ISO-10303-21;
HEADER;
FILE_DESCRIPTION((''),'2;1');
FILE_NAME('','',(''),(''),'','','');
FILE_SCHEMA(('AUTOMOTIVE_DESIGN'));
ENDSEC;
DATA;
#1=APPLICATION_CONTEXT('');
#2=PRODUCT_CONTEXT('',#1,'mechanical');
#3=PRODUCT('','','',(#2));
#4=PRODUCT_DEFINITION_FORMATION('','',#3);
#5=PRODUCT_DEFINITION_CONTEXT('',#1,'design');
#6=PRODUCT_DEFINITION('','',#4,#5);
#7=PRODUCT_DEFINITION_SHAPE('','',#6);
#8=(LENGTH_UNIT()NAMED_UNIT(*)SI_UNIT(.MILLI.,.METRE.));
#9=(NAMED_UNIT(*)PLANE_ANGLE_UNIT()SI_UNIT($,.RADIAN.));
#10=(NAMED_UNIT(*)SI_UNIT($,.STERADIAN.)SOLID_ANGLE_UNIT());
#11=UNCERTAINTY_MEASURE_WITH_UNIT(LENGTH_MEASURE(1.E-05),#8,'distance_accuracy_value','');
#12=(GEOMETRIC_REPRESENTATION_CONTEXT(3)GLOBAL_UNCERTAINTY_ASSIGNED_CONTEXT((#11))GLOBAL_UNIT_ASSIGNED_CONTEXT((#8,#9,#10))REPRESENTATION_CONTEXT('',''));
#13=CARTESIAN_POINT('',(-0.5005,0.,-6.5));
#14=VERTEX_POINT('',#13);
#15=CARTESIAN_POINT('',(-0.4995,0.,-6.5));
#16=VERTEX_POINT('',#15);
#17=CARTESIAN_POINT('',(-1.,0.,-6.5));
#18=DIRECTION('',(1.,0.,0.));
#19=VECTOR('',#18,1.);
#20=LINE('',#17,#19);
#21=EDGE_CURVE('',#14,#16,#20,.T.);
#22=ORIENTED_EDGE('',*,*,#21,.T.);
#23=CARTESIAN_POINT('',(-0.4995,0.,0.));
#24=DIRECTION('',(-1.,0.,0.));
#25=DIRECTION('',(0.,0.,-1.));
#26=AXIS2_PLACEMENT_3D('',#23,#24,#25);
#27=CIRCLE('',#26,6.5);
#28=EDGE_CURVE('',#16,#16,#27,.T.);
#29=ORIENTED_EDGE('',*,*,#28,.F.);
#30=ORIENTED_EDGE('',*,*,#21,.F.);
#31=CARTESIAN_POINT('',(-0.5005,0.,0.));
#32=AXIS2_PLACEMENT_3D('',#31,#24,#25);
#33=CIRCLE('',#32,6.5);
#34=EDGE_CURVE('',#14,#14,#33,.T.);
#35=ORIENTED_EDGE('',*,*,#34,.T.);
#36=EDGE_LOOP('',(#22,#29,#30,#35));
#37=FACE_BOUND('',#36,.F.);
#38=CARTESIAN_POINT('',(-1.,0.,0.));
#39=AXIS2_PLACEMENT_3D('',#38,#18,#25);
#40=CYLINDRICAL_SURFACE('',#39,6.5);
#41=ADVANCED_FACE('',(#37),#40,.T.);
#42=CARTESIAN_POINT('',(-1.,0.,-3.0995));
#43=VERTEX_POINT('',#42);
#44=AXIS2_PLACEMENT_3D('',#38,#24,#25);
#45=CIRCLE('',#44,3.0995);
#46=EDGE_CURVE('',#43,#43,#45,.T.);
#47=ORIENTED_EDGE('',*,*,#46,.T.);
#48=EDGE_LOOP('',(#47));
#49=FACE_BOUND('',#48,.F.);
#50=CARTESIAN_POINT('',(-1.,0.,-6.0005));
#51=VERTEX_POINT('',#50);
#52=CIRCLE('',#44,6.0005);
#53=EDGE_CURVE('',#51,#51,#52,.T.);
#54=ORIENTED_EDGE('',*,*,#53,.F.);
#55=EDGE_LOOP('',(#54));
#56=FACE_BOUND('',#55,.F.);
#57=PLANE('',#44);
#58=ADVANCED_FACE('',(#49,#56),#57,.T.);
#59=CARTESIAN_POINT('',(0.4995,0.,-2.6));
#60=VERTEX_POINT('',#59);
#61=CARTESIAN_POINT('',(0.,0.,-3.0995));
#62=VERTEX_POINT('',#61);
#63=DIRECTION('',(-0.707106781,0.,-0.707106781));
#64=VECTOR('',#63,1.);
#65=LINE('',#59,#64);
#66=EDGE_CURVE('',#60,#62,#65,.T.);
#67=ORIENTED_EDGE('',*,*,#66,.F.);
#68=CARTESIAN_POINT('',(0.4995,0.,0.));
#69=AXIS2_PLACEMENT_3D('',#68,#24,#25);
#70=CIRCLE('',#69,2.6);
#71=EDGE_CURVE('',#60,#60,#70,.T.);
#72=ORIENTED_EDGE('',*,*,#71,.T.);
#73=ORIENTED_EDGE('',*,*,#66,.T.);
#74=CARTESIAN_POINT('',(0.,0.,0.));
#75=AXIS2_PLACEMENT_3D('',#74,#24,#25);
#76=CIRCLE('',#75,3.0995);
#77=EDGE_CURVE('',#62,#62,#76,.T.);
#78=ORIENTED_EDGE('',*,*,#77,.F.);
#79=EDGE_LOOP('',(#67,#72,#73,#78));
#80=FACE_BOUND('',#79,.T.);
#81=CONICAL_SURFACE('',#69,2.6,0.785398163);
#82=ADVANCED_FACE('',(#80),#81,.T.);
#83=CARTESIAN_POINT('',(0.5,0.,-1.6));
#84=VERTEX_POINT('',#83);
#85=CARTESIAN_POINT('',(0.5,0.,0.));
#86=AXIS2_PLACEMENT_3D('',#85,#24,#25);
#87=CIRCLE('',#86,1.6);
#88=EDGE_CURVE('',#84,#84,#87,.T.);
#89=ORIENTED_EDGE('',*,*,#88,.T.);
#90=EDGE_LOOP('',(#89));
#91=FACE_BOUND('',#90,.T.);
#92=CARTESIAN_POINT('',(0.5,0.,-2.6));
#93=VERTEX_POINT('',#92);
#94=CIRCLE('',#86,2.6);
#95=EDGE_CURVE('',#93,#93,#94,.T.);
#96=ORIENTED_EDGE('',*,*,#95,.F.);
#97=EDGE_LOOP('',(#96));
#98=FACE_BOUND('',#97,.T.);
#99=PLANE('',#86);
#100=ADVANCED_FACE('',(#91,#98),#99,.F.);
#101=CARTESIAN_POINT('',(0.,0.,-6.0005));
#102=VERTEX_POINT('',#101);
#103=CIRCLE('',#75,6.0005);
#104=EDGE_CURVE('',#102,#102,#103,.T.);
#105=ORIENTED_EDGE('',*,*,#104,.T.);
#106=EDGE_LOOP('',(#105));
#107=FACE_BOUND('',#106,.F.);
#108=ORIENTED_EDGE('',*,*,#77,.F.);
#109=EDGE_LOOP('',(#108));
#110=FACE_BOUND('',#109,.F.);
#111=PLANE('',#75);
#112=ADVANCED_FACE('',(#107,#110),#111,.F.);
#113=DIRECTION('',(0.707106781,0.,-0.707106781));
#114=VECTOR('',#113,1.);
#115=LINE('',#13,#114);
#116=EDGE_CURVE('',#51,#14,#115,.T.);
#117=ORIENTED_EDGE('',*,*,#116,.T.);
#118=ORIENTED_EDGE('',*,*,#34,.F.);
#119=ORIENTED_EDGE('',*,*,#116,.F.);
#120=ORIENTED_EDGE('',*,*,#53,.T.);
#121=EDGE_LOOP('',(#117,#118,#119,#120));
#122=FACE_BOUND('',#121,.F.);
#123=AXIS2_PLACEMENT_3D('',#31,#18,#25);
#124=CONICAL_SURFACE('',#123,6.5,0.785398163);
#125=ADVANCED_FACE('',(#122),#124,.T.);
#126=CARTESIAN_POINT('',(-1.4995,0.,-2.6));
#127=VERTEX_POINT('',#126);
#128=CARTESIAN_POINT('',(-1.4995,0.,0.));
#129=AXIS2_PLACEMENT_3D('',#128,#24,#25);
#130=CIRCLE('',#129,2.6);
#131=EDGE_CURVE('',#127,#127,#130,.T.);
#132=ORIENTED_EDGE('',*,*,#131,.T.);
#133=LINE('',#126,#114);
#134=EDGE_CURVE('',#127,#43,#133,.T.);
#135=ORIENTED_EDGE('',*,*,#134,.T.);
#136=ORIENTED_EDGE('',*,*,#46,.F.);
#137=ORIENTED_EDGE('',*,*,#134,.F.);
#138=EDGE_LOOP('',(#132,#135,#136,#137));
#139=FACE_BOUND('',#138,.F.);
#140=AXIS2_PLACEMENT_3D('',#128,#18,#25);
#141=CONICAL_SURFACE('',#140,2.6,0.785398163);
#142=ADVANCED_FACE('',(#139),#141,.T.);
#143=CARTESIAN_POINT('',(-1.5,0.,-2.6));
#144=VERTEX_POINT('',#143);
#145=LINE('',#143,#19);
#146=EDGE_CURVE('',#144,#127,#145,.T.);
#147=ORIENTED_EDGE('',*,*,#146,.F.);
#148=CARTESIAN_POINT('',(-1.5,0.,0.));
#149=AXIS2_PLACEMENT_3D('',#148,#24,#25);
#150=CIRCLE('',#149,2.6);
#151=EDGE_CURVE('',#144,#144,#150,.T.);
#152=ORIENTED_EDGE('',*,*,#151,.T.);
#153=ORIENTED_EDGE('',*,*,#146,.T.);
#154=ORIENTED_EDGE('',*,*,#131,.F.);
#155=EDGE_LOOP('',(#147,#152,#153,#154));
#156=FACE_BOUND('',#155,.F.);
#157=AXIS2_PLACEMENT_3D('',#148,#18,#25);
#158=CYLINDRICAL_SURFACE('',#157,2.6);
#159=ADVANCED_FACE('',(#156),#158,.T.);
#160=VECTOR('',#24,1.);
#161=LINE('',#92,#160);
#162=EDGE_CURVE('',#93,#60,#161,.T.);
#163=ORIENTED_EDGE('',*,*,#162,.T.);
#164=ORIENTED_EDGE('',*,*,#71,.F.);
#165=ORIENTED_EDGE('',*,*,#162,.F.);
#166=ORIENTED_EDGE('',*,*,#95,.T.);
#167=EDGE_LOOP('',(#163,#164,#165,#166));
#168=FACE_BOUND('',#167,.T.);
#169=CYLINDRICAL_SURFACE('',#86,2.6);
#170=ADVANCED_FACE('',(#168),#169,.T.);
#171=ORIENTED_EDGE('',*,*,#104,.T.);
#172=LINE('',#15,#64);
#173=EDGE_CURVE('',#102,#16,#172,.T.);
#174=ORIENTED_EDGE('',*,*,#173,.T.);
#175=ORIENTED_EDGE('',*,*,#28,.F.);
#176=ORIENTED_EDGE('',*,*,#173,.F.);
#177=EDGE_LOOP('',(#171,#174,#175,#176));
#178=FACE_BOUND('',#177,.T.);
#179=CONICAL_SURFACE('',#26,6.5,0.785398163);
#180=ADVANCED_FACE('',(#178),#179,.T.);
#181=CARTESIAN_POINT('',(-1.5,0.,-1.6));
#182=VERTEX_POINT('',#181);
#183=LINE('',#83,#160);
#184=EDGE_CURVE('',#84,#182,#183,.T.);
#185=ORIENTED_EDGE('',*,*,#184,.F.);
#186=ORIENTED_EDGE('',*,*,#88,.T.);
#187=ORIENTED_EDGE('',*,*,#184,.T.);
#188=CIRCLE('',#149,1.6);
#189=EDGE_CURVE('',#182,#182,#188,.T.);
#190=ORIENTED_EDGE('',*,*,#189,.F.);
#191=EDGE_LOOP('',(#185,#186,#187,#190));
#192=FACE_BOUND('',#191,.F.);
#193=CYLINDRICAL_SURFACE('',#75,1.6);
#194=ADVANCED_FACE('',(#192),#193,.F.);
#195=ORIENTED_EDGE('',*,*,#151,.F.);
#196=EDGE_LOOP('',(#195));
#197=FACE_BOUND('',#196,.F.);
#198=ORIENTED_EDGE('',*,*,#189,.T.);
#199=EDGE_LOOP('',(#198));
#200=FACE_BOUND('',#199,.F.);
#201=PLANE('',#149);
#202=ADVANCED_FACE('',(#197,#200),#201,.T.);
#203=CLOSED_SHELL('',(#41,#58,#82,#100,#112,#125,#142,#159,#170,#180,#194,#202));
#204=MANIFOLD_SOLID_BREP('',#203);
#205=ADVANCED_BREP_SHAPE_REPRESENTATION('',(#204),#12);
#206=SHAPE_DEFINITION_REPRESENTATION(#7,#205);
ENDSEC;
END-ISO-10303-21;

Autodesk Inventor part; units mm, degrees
ref_plane "YZ Plane" through (0, 0, 0) normal (1, 0, 0) x (0, 1, 0)
ref_plane "XZ Plane" through (0, 0, 0) normal (0, 1, 0) x (-1, 0, 0)
ref_plane "XY Plane" through (0, 0, 0) normal (0, 0, 1) x (1, 0, 0)
sketch "Sketch1" plane through (0, 0, 0) normal (0, 1, 0) x (-1, 0, 0)
  line L0 (0, 0) -> (1, 0)
  line L1 (1, 0) -> (1, -6.5)
  line L2 (1, -6.5) -> (0, -6.5)
  line L3 (0, -6.5) -> (0, 0)
  line L4 (1, 0) -> (0, 0)
  line L5 (0, 0) -> (0, -1.6)
  line L6 (0, -1.6) -> (1, -1.6)
  line L7 (1, -1.6) -> (1, 0)
  line L8 (1, -1.6) -> (1.5, -1.6)
  line L9 (1.5, -1.6) -> (1.5, -2.6)
  line L10 (1.5, -2.6) -> (1, -2.6)
  line L11 (1, -2.6) -> (1, -1.6)
  line L12 (0, -1.6) -> (-0.5, -1.6)
  line L13 (-0.5, -1.6) -> (-0.5, -2.6)
  line L14 (-0.5, -2.6) -> (0, -2.6)
  line L15 (0, -2.6) -> (0, -1.6)
  dimension "d0" = 1
  dimension "d1" = 6.5
  dimension "d2" = 1.6
  dimension "d3" = 0.5
  dimension "d4" = 1
  dimension "d5" = 0.5
  dimension "d6" = 1
revolve "Revolution1" add sketch "Sketch1" angle 360 about axis through (0, 0, 0) along (-1, 0, 0) contours L6 L1 L2 L3 | L3 L14 L13 L12 | L8 L9 L10 L1
chamfer "Chamfer1" distance 0.5 angle 45 4 edges at (-1, 0, 2.6) (0, 0, 2.6) (0, 0, 6.5) (-1, 0, 6.5)
properties part number "idler_spacer"
